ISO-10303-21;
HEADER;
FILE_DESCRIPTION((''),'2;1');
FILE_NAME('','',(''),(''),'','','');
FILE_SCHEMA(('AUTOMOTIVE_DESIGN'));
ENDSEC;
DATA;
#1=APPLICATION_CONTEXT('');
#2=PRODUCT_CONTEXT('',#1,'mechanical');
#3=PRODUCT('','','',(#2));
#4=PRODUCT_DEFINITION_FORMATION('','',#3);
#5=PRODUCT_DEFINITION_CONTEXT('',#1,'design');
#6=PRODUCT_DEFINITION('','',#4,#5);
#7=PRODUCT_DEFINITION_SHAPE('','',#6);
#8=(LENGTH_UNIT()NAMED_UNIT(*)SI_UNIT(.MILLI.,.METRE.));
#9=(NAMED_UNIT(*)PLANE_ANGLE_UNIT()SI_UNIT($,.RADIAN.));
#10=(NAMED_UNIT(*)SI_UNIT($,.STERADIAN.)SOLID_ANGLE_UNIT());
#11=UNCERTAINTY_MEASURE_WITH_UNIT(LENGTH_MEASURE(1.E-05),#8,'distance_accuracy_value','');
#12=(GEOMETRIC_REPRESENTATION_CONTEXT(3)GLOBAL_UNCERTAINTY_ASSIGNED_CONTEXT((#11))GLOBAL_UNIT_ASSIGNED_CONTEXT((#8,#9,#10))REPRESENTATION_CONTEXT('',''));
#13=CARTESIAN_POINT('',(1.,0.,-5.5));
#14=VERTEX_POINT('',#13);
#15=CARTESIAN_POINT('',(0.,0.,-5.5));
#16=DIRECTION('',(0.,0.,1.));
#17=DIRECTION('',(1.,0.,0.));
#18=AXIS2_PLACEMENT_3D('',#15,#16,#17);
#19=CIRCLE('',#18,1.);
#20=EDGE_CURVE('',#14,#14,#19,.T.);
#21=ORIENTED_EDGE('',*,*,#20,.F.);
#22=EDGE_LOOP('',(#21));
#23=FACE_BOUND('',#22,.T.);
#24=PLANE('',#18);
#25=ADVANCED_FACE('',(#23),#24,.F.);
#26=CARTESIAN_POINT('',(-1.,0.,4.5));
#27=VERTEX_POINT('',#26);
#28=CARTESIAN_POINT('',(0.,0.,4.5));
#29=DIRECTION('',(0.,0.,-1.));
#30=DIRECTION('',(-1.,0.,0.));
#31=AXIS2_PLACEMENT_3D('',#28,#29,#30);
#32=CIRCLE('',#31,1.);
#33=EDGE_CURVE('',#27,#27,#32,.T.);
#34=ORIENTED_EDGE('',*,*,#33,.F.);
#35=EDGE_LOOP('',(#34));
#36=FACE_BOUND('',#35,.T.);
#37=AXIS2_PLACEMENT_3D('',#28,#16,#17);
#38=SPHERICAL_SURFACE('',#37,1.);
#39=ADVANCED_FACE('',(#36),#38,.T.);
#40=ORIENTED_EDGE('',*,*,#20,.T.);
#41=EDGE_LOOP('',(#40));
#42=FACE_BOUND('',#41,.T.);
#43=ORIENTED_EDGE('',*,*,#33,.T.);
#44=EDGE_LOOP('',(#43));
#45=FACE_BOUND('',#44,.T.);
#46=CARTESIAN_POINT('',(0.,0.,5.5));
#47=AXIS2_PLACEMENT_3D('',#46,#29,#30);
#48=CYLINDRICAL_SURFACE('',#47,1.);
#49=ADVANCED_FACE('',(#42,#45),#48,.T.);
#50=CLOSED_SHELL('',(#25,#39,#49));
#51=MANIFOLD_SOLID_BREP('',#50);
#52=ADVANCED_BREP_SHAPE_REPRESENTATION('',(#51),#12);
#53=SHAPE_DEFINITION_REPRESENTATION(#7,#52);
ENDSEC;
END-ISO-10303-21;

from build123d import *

# Parameters (mm, degrees)
SKETCH_1_R      = 1
EXTRUDE_1_DEPTH = 5.5
FILLET_1_R      = 1


with BuildPart() as part:
    # 草图1 → 凸台-拉伸1 (new, symmetric)
    with BuildSketch(Plane.XY):
        Circle(SKETCH_1_R)
    extrude(amount=EXTRUDE_1_DEPTH, both=True)

    # 圆角1
    fillet_1_edges = [part.edges().sort_by_distance(p)[0] for p in [
        (-1, 0, 5.5),
    ]]
    fillet(fillet_1_edges, radius=FILLET_1_R)


solid = part.part
